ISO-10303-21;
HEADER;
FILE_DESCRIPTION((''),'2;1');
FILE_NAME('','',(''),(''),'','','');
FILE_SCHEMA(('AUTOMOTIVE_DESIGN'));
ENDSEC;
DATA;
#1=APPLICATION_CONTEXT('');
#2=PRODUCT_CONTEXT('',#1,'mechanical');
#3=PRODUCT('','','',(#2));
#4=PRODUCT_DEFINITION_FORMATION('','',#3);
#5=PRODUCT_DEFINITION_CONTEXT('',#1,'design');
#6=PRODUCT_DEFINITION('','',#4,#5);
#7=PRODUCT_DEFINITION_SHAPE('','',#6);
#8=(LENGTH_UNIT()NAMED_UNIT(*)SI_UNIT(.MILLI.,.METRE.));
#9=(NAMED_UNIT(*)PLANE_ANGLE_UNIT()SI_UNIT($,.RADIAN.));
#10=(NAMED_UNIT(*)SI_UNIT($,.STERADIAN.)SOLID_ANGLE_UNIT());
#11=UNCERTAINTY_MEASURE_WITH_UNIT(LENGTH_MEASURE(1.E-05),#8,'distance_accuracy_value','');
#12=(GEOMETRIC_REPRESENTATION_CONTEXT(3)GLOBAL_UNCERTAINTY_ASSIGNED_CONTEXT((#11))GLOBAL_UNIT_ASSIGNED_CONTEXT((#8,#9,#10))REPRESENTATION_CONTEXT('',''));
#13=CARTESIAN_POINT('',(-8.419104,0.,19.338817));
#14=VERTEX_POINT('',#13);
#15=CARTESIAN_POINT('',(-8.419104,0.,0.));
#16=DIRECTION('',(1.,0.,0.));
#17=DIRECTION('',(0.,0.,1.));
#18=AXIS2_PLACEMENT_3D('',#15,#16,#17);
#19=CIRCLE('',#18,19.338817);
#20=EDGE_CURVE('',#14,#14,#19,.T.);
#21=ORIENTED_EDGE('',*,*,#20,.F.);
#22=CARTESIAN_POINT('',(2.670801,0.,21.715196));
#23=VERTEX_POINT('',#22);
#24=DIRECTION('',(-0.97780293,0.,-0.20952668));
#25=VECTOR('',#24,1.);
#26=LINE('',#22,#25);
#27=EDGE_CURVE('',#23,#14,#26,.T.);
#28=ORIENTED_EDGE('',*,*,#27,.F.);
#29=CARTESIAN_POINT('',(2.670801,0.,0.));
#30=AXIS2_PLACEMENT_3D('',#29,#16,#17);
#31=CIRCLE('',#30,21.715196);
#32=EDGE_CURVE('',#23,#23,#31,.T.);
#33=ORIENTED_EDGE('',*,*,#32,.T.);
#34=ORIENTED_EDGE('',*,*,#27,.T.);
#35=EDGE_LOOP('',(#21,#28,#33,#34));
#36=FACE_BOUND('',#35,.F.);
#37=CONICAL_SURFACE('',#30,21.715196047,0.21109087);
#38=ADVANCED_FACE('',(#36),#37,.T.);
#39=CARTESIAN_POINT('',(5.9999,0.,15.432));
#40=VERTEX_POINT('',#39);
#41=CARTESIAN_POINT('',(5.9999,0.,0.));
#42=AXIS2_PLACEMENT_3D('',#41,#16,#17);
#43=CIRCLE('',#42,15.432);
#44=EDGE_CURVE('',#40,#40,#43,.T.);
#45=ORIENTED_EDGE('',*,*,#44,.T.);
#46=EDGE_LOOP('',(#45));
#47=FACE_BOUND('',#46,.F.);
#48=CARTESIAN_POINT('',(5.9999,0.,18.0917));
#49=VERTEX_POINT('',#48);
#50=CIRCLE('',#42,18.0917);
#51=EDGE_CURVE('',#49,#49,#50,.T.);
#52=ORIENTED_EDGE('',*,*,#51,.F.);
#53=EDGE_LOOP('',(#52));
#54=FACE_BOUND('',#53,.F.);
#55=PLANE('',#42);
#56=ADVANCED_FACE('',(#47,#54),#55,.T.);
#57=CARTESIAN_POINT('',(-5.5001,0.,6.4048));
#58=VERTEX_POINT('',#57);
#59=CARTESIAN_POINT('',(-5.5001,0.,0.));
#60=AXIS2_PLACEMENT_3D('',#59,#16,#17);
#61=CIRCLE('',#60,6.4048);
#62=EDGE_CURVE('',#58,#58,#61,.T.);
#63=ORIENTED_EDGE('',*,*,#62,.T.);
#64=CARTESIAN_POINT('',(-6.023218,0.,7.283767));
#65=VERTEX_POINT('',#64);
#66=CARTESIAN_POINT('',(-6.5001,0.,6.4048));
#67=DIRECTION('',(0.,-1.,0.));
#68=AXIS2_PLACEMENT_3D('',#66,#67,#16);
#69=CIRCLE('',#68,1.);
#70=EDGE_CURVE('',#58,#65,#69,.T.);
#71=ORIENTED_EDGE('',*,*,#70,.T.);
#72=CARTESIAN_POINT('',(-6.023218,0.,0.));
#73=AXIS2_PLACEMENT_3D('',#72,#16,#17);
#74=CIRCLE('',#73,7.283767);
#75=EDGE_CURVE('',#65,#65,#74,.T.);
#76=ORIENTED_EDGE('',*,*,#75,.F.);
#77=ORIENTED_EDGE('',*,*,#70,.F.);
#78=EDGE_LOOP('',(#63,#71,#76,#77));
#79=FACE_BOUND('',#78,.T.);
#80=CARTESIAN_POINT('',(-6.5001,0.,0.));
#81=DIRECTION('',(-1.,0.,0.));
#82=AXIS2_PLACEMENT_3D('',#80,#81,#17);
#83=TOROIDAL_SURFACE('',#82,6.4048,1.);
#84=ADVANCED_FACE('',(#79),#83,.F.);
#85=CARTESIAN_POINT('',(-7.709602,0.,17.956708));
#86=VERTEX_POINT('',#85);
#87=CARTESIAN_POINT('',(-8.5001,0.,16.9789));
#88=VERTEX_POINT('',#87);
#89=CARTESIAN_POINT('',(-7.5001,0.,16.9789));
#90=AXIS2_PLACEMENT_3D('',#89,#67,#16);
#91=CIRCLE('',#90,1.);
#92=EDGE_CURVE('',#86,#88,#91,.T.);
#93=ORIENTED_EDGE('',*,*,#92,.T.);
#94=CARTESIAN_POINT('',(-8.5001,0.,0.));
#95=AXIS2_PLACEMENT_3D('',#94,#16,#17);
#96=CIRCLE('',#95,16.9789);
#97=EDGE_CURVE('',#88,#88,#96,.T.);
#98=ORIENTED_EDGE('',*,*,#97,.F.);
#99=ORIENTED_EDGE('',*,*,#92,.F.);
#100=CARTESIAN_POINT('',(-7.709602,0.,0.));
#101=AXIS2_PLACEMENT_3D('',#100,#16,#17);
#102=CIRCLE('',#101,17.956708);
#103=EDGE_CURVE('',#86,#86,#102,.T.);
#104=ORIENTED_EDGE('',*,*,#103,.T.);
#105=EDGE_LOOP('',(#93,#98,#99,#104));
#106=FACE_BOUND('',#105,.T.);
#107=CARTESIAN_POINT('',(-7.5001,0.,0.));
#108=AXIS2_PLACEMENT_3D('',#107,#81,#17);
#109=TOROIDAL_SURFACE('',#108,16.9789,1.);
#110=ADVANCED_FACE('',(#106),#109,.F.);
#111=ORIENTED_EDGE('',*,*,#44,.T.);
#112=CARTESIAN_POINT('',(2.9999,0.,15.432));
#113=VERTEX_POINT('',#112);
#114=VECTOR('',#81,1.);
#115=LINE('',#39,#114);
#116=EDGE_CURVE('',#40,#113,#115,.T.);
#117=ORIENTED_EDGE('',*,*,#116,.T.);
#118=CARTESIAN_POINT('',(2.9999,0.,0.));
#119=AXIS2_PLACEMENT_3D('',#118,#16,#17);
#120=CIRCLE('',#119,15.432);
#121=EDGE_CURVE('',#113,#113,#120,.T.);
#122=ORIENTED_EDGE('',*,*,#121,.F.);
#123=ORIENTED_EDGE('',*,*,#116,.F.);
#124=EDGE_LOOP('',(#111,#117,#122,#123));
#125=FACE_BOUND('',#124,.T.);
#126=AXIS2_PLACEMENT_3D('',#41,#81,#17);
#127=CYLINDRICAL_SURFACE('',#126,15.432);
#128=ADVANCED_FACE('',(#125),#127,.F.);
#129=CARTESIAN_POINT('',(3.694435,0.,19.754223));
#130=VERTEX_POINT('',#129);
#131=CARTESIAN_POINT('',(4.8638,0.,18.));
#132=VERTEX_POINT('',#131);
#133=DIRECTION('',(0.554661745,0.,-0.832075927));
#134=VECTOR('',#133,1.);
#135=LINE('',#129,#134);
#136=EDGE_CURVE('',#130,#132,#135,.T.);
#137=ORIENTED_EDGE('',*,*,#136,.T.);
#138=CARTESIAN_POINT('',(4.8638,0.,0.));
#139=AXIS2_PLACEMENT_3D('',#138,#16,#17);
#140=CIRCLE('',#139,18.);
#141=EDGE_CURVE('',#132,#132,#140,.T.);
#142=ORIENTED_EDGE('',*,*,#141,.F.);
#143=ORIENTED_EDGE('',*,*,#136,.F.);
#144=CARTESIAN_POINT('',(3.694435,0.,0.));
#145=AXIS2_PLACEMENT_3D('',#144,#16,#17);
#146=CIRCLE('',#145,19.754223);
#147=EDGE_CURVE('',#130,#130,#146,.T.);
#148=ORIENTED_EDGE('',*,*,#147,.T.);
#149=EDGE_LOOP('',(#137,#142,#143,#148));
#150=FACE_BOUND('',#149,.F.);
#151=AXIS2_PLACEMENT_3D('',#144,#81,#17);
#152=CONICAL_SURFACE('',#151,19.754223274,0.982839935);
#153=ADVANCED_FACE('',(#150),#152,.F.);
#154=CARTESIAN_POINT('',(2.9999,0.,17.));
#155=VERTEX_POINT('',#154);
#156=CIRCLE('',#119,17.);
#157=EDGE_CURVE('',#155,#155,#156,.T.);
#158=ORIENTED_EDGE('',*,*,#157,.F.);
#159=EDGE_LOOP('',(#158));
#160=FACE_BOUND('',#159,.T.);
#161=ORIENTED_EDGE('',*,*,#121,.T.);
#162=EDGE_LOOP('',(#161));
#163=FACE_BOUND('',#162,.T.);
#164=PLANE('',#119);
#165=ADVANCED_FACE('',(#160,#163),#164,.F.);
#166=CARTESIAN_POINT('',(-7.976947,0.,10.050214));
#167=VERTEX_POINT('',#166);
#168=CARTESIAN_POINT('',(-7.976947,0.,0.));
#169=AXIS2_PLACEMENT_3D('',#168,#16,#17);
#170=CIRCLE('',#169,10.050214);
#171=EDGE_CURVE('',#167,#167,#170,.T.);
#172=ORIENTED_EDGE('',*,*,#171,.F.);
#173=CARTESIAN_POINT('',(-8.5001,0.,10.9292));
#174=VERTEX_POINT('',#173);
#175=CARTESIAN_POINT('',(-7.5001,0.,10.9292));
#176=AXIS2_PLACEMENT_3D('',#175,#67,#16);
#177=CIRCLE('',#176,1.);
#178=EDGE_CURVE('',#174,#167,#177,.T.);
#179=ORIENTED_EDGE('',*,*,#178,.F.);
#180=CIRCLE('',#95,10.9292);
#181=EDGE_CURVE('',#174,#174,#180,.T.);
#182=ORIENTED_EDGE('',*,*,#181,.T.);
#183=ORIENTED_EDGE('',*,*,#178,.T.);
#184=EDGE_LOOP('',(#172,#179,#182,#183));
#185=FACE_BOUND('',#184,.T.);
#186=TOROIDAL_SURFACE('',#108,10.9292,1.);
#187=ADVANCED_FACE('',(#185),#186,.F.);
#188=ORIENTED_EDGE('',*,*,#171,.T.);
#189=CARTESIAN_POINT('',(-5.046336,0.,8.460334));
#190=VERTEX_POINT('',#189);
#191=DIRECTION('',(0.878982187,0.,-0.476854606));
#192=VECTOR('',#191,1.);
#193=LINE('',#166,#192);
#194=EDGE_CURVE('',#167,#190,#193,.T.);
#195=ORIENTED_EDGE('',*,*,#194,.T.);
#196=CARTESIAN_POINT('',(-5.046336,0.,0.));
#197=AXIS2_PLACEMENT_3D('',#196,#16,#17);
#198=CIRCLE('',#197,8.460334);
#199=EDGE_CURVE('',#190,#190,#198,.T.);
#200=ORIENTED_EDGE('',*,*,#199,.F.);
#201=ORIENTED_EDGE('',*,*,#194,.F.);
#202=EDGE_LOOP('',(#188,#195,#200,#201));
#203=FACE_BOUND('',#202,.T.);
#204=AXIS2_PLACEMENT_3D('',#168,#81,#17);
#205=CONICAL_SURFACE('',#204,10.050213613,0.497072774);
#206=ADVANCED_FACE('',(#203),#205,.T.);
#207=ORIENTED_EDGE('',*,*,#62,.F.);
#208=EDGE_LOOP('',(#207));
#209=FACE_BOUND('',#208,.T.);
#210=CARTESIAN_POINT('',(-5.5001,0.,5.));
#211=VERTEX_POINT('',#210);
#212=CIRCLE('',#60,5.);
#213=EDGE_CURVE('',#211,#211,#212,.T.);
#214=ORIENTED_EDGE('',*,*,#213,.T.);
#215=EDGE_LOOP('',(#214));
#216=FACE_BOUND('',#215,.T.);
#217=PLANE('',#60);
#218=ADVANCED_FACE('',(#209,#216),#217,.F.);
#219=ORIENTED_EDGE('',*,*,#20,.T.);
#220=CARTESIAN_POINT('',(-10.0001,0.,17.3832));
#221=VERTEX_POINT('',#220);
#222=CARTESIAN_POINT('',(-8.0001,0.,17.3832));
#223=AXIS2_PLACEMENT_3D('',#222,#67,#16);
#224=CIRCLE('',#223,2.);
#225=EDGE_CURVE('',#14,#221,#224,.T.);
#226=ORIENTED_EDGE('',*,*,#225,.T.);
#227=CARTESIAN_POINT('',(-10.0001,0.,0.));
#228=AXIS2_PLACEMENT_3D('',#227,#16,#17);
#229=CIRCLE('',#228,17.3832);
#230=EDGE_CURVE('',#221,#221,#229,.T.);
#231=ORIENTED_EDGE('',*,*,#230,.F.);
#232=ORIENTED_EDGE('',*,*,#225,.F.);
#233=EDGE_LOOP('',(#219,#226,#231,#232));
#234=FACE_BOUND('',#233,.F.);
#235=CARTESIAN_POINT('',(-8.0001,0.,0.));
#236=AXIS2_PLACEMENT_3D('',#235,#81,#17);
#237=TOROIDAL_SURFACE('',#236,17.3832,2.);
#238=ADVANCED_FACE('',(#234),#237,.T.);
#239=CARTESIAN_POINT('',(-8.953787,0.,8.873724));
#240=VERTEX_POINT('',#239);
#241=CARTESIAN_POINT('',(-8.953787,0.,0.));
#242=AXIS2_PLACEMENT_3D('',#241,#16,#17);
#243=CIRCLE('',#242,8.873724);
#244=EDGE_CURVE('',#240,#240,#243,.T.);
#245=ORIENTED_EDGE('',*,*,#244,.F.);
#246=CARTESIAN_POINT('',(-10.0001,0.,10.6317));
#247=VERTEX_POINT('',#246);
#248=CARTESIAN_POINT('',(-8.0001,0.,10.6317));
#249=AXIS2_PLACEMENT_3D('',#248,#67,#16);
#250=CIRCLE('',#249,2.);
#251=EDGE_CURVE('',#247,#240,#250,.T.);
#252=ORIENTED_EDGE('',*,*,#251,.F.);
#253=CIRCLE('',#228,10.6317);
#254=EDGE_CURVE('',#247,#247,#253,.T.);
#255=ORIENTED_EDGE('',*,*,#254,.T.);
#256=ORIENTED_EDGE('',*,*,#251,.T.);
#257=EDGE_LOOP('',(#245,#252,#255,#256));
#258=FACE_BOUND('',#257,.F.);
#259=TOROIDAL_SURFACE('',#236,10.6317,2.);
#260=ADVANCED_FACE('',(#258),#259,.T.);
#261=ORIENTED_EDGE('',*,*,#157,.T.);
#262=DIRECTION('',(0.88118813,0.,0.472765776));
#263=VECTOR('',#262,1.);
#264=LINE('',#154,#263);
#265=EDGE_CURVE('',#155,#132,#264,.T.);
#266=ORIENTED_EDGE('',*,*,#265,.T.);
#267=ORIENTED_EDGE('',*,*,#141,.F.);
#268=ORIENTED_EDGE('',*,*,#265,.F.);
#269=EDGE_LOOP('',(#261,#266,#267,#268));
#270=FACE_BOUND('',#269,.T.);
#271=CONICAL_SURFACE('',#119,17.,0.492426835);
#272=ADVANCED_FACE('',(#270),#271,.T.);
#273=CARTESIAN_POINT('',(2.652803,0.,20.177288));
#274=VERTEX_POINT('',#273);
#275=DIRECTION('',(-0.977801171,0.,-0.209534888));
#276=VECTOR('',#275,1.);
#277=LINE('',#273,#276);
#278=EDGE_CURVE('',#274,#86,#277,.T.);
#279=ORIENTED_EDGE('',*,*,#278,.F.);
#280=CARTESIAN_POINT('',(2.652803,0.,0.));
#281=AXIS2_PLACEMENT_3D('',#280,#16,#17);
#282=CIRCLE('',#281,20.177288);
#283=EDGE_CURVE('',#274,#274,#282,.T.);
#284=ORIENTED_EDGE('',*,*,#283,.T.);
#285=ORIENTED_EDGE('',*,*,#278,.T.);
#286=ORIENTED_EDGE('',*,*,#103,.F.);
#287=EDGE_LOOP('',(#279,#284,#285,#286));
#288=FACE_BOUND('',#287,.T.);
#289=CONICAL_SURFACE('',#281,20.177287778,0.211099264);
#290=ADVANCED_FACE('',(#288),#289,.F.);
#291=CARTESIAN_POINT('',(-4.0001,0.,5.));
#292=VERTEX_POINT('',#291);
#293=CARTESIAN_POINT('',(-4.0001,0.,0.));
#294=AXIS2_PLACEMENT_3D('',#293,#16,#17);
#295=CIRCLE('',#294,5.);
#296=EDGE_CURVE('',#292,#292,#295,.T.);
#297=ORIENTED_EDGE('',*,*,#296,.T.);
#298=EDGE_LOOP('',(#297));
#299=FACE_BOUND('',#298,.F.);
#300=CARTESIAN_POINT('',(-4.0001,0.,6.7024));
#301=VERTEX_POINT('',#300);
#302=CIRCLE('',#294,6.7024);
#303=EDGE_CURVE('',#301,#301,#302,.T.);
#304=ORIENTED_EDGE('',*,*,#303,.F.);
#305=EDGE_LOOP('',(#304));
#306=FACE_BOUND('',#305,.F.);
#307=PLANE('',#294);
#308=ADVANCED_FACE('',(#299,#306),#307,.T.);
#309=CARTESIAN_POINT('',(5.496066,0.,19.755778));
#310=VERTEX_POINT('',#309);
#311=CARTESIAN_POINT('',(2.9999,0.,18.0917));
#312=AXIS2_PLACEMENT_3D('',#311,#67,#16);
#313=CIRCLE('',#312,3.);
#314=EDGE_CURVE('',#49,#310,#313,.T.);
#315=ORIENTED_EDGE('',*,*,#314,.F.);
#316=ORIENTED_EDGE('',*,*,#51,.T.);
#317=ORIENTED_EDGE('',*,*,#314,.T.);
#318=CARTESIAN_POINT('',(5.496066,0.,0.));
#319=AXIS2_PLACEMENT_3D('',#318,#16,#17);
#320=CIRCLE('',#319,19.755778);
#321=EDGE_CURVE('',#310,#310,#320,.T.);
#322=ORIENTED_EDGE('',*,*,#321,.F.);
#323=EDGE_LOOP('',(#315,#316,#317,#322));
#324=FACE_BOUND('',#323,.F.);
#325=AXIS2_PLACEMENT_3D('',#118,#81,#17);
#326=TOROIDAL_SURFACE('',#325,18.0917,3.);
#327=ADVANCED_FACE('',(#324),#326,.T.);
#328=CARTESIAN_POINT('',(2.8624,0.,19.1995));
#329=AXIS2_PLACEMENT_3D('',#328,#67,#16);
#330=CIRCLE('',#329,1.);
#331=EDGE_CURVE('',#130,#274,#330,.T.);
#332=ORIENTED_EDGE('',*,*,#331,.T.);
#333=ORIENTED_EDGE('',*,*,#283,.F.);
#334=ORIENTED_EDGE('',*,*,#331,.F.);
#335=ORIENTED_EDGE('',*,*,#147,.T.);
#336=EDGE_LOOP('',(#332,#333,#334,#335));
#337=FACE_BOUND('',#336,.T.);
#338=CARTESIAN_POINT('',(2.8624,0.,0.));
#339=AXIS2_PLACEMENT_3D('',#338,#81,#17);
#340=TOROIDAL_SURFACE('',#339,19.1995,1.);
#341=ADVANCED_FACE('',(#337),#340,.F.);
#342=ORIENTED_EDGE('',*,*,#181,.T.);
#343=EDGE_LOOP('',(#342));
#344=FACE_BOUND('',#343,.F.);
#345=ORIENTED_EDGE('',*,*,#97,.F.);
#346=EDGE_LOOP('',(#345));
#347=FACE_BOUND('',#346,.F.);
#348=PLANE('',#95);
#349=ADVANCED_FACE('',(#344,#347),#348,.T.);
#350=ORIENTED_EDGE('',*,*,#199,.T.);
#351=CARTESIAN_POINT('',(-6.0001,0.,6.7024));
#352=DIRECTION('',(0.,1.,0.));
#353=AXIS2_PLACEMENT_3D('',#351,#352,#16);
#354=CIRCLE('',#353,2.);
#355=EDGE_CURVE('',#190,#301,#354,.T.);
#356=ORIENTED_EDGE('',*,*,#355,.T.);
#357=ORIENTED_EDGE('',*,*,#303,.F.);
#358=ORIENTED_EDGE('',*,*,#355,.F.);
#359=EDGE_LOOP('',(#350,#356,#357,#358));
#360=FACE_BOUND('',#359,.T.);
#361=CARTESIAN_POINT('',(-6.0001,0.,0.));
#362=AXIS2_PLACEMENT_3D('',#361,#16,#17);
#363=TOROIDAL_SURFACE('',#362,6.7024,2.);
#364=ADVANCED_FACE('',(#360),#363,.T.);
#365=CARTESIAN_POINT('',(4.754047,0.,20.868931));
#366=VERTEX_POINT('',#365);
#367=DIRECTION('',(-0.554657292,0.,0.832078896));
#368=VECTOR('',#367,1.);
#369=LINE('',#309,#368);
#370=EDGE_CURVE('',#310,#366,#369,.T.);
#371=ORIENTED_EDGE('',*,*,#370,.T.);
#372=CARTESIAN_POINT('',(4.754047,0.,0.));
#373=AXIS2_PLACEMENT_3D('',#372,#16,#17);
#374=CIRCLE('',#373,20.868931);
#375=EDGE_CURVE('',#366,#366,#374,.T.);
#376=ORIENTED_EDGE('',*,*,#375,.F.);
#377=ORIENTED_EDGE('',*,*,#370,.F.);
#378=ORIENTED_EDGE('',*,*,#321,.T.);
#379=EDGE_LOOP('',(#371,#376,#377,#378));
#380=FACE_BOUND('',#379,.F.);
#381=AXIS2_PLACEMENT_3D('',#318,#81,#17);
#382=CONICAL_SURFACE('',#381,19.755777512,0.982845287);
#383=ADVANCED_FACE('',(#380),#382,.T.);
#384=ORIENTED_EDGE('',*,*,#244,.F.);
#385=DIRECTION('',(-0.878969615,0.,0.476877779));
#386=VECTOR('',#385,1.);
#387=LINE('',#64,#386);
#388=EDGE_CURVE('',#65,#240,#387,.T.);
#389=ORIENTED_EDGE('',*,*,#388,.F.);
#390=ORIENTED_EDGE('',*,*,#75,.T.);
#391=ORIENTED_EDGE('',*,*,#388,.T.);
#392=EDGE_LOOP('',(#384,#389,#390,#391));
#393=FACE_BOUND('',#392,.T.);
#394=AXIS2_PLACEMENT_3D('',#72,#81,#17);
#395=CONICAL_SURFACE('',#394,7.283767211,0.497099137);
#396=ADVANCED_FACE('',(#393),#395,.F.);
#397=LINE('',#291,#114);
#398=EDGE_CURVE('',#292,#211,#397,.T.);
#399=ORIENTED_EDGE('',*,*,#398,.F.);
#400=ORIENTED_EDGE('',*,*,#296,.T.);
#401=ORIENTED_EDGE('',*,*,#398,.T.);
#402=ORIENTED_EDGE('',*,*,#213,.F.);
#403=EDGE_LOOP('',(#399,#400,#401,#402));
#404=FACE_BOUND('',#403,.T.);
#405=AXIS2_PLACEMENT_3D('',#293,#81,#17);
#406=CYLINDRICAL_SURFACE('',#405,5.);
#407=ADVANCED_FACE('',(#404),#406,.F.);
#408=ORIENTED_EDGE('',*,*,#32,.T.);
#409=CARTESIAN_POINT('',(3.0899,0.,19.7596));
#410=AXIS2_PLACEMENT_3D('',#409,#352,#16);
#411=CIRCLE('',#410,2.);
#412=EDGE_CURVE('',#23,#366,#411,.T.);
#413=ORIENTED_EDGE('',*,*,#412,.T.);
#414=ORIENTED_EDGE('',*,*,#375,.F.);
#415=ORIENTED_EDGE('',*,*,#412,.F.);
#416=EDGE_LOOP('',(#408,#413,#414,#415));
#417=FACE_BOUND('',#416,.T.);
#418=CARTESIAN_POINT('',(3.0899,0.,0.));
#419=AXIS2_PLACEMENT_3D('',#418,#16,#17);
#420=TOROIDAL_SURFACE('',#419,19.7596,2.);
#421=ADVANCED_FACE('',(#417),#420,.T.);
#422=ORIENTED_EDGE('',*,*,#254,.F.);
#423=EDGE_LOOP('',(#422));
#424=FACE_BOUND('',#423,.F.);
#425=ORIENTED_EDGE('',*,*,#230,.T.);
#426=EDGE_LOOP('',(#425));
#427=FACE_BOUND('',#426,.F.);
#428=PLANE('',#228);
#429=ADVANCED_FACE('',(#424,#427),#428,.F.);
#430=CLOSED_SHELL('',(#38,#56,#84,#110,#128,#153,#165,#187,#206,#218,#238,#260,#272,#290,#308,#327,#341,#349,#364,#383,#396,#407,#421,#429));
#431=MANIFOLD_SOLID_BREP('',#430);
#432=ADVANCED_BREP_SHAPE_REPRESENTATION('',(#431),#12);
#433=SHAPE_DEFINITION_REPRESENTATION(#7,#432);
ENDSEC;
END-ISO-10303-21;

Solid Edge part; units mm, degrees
sketch "Sketch1" plane through (0, 0, 0) normal (0, -1, 0) x (1, 0, 0)
  line L0 (5.9999, 15.432) -> (2.9999, 15.432)
  line L1 (2.9999, 15.432) -> (2.9999, 17)
  line L2 (2.9999, 17) -> (4.8638, 18)
  line L3 (3.6944, 19.7542) -> (4.8638, 18)
  arc A0 (3.6944, 19.7542) -> (2.6528, 20.1773) centre (2.8624, 19.1995) ccw
  line L4 (2.6528, 20.1773) -> (-7.7096, 17.9567)
  arc A1 (-7.7096, 17.9567) -> (-8.5001, 16.9789) centre (-7.5001, 16.9789) ccw
  line L5 (-8.5001, 10.9292) -> (-8.5001, 16.9789)
  arc A2 (-8.5001, 10.9292) -> (-7.9769, 10.0503) centre (-7.5001, 10.9292) ccw
  line L6 (-7.9769, 10.0503) -> (-5.0463, 8.4604)
  arc A3 (-5.0463, 8.4604) -> (-4.0001, 6.7024) centre (-6.0001, 6.7024) cw
  line L7 (-4.0001, 5) -> (-4.0001, 6.7024)
  line L8 (-4.0001, 5) -> (-5.5001, 5)
  line L9 (-5.5001, 5) -> (-5.5001, 6.4048)
  arc A4 (-5.5001, 6.4048) -> (-6.0232, 7.2838) centre (-6.5001, 6.4048) ccw
  line L10 (-6.0232, 7.2838) -> (-8.9538, 8.8737)
  arc A5 (-10.0001, 10.6317) -> (-8.9538, 8.8737) centre (-8.0001, 10.6317) ccw
  line L11 (-10.0001, 17.3832) -> (-10.0001, 10.6317)
  arc A6 (-8.4191, 19.3388) -> (-10.0001, 17.3832) centre (-8.0001, 17.3832) ccw
  line L12 (2.6708, 21.7152) -> (-8.4191, 19.3388)
  arc A7 (2.6708, 21.7152) -> (4.754, 20.8689) centre (3.0899, 19.7596) cw
  line L13 (5.4961, 19.7558) -> (4.754, 20.8689)
  arc A8 (5.9999, 18.0917) -> (5.4961, 19.7558) centre (2.9999, 18.0917) ccw
  line L14 (5.9999, 15.432) -> (5.9999, 18.0917)
revolve "RevolvedProtrusion1" add sketch "Sketch1" angle 360 about axis through (-60, 0, 0) along (1, 0, 0)
properties part number "782852"
